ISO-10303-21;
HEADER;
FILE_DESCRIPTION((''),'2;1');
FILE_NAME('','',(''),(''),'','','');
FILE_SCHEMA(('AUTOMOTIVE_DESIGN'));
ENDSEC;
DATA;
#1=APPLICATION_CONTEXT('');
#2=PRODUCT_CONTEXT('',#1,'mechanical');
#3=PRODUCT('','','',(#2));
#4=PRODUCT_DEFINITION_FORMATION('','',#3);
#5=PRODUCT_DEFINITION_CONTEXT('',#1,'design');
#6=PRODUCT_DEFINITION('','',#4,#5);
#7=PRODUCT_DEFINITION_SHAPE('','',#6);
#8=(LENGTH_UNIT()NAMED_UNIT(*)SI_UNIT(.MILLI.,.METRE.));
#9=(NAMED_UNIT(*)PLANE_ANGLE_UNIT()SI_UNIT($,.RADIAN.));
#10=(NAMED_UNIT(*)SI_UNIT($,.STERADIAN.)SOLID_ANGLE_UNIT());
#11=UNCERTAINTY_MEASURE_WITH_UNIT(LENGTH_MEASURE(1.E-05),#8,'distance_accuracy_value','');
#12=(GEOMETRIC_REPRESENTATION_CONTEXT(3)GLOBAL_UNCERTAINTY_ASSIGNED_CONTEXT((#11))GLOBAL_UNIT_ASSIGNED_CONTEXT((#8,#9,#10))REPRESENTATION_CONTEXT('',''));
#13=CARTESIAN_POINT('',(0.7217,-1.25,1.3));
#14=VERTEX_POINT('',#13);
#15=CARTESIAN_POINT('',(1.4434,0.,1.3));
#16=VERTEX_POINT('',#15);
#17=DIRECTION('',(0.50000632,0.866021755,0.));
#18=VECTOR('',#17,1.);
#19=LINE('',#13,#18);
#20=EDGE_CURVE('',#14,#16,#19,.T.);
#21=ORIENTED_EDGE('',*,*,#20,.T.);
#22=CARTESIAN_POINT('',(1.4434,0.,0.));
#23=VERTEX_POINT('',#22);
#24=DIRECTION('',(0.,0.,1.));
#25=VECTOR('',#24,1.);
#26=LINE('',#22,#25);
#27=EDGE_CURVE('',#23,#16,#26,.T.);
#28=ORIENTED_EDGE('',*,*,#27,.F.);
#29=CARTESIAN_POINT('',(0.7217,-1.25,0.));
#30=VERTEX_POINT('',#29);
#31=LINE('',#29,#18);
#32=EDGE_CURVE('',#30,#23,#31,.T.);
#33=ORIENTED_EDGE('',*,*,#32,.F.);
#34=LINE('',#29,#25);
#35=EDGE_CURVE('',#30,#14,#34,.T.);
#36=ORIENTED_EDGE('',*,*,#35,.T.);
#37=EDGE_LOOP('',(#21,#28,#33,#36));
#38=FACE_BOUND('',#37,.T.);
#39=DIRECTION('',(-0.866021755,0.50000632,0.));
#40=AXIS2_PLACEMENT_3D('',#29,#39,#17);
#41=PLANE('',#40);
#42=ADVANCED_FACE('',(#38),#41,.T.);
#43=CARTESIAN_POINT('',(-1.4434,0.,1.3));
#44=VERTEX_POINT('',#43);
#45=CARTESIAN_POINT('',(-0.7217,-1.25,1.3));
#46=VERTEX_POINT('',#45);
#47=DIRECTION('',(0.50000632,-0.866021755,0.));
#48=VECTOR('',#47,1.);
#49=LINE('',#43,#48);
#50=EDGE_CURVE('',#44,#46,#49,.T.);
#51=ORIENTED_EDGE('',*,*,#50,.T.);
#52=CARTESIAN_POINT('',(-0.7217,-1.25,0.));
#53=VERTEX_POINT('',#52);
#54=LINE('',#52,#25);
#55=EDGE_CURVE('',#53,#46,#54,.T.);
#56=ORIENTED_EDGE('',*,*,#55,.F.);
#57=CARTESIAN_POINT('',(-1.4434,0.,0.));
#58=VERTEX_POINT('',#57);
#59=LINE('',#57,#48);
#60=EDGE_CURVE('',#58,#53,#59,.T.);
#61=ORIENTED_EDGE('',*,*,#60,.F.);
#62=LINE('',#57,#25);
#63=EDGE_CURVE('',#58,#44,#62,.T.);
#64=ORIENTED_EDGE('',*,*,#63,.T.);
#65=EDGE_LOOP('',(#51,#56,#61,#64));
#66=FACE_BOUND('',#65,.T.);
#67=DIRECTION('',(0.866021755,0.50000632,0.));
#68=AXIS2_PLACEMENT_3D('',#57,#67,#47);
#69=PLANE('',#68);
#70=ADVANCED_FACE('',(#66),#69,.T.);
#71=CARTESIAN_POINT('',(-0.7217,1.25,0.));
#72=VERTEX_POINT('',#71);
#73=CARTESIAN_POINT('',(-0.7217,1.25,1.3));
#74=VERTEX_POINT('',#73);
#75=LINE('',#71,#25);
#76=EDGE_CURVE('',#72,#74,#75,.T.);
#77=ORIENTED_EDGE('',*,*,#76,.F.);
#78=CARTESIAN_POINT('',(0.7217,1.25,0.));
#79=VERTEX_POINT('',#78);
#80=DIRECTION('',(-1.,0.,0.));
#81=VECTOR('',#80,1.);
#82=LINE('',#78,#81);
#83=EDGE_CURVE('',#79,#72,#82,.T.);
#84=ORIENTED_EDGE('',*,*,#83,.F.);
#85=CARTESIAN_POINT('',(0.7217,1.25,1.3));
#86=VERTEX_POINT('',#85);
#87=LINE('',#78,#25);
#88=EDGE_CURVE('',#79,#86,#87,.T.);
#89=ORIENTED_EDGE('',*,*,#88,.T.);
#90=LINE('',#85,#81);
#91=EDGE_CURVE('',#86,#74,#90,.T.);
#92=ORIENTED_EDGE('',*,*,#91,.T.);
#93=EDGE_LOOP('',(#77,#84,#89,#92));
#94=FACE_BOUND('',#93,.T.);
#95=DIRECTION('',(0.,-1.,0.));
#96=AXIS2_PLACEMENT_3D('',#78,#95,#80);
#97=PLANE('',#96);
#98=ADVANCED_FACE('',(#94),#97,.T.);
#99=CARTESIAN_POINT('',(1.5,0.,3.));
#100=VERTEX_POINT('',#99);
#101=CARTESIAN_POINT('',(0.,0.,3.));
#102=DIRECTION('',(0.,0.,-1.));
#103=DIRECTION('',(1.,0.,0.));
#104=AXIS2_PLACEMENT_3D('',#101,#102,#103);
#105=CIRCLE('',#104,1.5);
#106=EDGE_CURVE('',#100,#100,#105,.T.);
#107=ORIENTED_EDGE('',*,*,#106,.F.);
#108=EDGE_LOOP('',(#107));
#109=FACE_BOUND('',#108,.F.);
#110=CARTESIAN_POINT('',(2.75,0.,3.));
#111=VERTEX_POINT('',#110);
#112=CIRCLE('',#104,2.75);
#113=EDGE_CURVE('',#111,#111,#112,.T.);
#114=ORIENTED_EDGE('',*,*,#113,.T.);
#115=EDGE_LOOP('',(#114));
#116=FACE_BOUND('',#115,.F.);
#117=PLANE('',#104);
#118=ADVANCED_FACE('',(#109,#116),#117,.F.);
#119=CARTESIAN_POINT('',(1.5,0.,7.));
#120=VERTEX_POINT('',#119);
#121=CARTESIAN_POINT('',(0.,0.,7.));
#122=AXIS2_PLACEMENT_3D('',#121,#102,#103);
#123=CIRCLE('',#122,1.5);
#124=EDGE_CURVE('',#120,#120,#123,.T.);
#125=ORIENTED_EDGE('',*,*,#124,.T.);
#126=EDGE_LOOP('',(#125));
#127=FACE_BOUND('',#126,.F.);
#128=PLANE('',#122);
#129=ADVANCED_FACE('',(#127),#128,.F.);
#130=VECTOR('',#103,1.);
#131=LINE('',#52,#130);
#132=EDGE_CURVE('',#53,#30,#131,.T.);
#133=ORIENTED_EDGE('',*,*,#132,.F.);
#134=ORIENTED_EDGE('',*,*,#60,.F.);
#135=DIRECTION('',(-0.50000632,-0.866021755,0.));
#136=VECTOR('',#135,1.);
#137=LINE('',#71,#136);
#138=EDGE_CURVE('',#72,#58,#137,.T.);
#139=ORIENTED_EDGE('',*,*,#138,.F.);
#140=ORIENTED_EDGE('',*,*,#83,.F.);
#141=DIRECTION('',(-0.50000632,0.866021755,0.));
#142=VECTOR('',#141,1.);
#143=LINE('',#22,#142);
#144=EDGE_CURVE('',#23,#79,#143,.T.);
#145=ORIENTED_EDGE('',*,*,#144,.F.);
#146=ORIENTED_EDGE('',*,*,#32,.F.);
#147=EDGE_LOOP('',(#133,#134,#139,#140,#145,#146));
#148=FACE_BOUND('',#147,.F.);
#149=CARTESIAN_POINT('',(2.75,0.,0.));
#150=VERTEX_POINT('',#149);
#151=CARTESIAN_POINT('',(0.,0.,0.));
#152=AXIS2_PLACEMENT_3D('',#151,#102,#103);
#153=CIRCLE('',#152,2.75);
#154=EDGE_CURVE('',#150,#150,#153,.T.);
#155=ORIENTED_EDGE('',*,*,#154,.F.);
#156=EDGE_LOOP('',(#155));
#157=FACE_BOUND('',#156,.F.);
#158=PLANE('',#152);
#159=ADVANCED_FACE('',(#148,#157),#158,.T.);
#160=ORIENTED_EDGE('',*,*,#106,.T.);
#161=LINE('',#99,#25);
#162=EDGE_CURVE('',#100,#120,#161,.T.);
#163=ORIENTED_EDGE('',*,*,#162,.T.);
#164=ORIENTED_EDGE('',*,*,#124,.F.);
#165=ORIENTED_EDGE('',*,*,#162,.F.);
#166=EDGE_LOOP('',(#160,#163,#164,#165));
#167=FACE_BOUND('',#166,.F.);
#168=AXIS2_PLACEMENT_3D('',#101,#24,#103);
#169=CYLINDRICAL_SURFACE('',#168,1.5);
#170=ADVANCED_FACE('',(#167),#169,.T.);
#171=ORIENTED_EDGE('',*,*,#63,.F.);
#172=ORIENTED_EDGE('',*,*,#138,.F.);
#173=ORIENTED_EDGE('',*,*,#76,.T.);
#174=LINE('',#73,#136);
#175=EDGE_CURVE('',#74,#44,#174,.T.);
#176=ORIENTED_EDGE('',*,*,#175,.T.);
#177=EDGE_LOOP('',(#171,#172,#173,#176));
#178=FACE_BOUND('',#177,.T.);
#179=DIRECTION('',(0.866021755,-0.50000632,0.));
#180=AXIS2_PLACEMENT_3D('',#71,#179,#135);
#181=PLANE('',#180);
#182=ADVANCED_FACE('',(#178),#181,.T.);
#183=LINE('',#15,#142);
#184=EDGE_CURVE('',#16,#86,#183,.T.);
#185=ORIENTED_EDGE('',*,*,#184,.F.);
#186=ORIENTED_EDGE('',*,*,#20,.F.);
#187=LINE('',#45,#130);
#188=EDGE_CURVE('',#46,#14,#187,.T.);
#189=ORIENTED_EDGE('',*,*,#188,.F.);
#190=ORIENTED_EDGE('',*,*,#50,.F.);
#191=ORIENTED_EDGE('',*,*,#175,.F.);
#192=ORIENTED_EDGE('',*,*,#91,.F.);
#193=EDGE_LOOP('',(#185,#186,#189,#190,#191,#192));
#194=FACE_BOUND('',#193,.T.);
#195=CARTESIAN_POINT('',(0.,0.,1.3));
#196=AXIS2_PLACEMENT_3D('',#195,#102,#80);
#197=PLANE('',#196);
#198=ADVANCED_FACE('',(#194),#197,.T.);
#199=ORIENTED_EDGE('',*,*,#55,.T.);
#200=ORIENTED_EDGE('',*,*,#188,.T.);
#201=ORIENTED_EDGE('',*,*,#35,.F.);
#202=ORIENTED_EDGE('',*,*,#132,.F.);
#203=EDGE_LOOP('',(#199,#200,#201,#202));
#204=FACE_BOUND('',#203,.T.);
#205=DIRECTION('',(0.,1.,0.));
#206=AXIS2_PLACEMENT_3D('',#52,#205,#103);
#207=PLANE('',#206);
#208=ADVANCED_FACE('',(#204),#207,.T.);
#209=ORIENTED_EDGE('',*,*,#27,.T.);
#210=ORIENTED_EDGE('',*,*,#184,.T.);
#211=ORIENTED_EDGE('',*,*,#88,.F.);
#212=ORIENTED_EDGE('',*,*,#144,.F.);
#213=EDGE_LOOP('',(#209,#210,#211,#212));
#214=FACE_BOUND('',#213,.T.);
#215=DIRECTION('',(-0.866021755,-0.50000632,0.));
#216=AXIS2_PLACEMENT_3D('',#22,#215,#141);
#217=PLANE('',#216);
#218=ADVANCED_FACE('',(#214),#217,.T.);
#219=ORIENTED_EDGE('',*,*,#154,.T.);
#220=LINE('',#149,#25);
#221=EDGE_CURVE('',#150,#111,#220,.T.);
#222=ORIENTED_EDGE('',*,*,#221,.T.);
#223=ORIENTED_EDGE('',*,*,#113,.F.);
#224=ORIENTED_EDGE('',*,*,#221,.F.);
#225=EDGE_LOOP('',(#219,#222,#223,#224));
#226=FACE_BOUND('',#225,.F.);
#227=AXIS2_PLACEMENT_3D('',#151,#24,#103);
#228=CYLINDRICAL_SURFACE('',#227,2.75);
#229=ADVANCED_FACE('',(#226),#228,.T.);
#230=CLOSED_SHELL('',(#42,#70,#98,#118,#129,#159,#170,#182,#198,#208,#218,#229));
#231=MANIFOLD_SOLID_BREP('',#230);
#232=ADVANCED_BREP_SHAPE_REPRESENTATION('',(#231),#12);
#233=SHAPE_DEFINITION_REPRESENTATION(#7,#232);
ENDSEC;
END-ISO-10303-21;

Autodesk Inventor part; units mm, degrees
ref_plane "YZ Plane" through (0, 0, 0) normal (1, 0, 0) x (0, 1, 0)
ref_plane "XZ Plane" through (0, 0, 0) normal (0, 1, 0) x (-1, 0, 0)
ref_plane "XY Plane" through (0, 0, 0) normal (0, 0, 1) x (1, 0, 0)
sketch "Sketch1" plane through (0, 0, 0) normal (0, 1, 0) x (-1, 0, 0)
  line L0 (0, 0) -> (-2.75, 0)
  line L1 (-2.75, 0) -> (-2.75, 3)
  line L2 (-2.75, 3) -> (-1.5, 3)
  line L3 (-1.5, 3) -> (-1.5, 7)
  line L4 (-1.5, 7) -> (0, 7)
  line L5 (0, 7) -> (0, 0)
  dimension "ScrewLength" = 4
  dimension "Diameter" = 5.5
  dimension "Metric" = 3
  dimension "HeadLength" = 3
revolve "Revolution1" add sketch "Sketch1" angle 360 about axis through (0, 0, 7) along (0, 0, -1)
thread "Thread1" size "M3x0.5" class "6g" standard "ANSI Metric M Profile" full length
sketch "Sketch2" plane through (0, 0, 0) normal (0, 0, -1) x (-1, 0, 0)
  line L0 (0.7217, 1.25) -> (1.4434, 0)
  line L1 (1.4434, 0) -> (0.7217, -1.25)
  line L2 (0.7217, -1.25) -> (-0.7217, -1.25)
  line L3 (-0.7217, -1.25) -> (-1.4434, 0)
  line L4 (-1.4434, 0) -> (-0.7217, 1.25)
  line L5 (-0.7217, 1.25) -> (0.7217, 1.25)
  point P0 (0, 0)
  point P1 (0, 0)
  dimension "WidthAcrossFlat" = 2.5
extrude "Extrusion1" cut sketch "Sketch2" against normal blind 1.3
properties part number "UC-0304" material "Stainless Steel AISI 304"
